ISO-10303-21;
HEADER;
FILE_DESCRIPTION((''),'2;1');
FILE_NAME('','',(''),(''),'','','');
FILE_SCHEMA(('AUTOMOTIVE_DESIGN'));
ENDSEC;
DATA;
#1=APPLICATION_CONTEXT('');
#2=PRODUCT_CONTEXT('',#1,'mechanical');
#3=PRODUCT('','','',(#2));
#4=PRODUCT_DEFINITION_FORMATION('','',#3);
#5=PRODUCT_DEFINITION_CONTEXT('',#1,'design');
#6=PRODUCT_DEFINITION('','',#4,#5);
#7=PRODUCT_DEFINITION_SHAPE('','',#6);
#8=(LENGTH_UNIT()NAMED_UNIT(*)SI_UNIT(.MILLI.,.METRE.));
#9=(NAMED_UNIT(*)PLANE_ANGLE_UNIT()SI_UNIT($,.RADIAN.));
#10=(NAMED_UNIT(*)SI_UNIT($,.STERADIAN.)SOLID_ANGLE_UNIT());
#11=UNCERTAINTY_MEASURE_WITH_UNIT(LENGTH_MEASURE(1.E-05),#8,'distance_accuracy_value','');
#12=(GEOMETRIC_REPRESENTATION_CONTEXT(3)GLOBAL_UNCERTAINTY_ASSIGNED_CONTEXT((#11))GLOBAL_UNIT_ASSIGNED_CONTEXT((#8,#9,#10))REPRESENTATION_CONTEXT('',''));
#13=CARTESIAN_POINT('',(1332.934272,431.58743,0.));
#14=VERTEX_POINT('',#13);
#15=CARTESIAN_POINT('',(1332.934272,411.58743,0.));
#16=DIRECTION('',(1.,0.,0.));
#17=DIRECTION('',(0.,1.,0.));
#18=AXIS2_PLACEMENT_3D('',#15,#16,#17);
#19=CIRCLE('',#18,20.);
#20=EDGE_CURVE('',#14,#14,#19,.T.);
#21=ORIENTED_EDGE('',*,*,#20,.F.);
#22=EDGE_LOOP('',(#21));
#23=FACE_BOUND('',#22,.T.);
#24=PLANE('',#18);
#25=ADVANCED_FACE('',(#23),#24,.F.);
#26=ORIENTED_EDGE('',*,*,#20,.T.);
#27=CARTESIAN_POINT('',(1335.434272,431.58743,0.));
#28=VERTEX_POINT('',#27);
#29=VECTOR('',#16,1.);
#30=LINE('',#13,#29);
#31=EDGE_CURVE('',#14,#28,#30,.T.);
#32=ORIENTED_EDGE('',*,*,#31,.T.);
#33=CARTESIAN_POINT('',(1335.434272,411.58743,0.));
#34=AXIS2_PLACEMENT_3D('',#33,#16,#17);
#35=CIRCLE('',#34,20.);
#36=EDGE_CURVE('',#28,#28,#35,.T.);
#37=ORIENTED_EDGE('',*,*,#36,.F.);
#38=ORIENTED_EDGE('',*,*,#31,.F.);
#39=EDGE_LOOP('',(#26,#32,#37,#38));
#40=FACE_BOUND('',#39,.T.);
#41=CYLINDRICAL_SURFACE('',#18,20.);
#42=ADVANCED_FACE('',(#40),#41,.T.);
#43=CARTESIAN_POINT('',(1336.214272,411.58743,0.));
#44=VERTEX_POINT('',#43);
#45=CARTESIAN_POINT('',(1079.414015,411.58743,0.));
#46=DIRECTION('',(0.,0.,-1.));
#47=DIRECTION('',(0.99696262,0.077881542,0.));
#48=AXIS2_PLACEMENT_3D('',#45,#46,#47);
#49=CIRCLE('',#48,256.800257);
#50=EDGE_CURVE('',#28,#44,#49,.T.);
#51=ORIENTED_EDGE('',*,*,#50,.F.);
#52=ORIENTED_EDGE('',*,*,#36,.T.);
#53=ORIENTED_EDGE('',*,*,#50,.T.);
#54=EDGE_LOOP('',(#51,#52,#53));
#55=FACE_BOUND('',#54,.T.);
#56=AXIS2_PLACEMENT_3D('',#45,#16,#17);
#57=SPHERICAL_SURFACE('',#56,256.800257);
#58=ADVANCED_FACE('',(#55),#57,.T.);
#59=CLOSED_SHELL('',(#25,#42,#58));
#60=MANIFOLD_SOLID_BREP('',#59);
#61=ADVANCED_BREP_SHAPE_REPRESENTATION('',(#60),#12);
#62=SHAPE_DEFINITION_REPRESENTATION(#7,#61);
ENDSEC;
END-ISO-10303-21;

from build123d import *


with BuildPart() as part:
    # 草图2 → 旋转2 (revolve)
    with BuildSketch(Plane.XY):
        with BuildLine():
            Line((1332.934272125, 411.587429833), (1332.934272125, 431.587429833))
            Line((1332.934272125, 431.587429833), (1335.434272125, 431.587429833))
            ThreePointArc((1335.434272125, 431.587429833), (1336.019198032, 421.595031944), (1336.214272125, 411.587429833))
            Line((1336.214272125, 411.587429833), (1332.934272125, 411.587429833))
        make_face()
    revolve(axis=Axis((1328.239728944, 411.587429833, 0), (1, 0, 0)))


solid = part.part
